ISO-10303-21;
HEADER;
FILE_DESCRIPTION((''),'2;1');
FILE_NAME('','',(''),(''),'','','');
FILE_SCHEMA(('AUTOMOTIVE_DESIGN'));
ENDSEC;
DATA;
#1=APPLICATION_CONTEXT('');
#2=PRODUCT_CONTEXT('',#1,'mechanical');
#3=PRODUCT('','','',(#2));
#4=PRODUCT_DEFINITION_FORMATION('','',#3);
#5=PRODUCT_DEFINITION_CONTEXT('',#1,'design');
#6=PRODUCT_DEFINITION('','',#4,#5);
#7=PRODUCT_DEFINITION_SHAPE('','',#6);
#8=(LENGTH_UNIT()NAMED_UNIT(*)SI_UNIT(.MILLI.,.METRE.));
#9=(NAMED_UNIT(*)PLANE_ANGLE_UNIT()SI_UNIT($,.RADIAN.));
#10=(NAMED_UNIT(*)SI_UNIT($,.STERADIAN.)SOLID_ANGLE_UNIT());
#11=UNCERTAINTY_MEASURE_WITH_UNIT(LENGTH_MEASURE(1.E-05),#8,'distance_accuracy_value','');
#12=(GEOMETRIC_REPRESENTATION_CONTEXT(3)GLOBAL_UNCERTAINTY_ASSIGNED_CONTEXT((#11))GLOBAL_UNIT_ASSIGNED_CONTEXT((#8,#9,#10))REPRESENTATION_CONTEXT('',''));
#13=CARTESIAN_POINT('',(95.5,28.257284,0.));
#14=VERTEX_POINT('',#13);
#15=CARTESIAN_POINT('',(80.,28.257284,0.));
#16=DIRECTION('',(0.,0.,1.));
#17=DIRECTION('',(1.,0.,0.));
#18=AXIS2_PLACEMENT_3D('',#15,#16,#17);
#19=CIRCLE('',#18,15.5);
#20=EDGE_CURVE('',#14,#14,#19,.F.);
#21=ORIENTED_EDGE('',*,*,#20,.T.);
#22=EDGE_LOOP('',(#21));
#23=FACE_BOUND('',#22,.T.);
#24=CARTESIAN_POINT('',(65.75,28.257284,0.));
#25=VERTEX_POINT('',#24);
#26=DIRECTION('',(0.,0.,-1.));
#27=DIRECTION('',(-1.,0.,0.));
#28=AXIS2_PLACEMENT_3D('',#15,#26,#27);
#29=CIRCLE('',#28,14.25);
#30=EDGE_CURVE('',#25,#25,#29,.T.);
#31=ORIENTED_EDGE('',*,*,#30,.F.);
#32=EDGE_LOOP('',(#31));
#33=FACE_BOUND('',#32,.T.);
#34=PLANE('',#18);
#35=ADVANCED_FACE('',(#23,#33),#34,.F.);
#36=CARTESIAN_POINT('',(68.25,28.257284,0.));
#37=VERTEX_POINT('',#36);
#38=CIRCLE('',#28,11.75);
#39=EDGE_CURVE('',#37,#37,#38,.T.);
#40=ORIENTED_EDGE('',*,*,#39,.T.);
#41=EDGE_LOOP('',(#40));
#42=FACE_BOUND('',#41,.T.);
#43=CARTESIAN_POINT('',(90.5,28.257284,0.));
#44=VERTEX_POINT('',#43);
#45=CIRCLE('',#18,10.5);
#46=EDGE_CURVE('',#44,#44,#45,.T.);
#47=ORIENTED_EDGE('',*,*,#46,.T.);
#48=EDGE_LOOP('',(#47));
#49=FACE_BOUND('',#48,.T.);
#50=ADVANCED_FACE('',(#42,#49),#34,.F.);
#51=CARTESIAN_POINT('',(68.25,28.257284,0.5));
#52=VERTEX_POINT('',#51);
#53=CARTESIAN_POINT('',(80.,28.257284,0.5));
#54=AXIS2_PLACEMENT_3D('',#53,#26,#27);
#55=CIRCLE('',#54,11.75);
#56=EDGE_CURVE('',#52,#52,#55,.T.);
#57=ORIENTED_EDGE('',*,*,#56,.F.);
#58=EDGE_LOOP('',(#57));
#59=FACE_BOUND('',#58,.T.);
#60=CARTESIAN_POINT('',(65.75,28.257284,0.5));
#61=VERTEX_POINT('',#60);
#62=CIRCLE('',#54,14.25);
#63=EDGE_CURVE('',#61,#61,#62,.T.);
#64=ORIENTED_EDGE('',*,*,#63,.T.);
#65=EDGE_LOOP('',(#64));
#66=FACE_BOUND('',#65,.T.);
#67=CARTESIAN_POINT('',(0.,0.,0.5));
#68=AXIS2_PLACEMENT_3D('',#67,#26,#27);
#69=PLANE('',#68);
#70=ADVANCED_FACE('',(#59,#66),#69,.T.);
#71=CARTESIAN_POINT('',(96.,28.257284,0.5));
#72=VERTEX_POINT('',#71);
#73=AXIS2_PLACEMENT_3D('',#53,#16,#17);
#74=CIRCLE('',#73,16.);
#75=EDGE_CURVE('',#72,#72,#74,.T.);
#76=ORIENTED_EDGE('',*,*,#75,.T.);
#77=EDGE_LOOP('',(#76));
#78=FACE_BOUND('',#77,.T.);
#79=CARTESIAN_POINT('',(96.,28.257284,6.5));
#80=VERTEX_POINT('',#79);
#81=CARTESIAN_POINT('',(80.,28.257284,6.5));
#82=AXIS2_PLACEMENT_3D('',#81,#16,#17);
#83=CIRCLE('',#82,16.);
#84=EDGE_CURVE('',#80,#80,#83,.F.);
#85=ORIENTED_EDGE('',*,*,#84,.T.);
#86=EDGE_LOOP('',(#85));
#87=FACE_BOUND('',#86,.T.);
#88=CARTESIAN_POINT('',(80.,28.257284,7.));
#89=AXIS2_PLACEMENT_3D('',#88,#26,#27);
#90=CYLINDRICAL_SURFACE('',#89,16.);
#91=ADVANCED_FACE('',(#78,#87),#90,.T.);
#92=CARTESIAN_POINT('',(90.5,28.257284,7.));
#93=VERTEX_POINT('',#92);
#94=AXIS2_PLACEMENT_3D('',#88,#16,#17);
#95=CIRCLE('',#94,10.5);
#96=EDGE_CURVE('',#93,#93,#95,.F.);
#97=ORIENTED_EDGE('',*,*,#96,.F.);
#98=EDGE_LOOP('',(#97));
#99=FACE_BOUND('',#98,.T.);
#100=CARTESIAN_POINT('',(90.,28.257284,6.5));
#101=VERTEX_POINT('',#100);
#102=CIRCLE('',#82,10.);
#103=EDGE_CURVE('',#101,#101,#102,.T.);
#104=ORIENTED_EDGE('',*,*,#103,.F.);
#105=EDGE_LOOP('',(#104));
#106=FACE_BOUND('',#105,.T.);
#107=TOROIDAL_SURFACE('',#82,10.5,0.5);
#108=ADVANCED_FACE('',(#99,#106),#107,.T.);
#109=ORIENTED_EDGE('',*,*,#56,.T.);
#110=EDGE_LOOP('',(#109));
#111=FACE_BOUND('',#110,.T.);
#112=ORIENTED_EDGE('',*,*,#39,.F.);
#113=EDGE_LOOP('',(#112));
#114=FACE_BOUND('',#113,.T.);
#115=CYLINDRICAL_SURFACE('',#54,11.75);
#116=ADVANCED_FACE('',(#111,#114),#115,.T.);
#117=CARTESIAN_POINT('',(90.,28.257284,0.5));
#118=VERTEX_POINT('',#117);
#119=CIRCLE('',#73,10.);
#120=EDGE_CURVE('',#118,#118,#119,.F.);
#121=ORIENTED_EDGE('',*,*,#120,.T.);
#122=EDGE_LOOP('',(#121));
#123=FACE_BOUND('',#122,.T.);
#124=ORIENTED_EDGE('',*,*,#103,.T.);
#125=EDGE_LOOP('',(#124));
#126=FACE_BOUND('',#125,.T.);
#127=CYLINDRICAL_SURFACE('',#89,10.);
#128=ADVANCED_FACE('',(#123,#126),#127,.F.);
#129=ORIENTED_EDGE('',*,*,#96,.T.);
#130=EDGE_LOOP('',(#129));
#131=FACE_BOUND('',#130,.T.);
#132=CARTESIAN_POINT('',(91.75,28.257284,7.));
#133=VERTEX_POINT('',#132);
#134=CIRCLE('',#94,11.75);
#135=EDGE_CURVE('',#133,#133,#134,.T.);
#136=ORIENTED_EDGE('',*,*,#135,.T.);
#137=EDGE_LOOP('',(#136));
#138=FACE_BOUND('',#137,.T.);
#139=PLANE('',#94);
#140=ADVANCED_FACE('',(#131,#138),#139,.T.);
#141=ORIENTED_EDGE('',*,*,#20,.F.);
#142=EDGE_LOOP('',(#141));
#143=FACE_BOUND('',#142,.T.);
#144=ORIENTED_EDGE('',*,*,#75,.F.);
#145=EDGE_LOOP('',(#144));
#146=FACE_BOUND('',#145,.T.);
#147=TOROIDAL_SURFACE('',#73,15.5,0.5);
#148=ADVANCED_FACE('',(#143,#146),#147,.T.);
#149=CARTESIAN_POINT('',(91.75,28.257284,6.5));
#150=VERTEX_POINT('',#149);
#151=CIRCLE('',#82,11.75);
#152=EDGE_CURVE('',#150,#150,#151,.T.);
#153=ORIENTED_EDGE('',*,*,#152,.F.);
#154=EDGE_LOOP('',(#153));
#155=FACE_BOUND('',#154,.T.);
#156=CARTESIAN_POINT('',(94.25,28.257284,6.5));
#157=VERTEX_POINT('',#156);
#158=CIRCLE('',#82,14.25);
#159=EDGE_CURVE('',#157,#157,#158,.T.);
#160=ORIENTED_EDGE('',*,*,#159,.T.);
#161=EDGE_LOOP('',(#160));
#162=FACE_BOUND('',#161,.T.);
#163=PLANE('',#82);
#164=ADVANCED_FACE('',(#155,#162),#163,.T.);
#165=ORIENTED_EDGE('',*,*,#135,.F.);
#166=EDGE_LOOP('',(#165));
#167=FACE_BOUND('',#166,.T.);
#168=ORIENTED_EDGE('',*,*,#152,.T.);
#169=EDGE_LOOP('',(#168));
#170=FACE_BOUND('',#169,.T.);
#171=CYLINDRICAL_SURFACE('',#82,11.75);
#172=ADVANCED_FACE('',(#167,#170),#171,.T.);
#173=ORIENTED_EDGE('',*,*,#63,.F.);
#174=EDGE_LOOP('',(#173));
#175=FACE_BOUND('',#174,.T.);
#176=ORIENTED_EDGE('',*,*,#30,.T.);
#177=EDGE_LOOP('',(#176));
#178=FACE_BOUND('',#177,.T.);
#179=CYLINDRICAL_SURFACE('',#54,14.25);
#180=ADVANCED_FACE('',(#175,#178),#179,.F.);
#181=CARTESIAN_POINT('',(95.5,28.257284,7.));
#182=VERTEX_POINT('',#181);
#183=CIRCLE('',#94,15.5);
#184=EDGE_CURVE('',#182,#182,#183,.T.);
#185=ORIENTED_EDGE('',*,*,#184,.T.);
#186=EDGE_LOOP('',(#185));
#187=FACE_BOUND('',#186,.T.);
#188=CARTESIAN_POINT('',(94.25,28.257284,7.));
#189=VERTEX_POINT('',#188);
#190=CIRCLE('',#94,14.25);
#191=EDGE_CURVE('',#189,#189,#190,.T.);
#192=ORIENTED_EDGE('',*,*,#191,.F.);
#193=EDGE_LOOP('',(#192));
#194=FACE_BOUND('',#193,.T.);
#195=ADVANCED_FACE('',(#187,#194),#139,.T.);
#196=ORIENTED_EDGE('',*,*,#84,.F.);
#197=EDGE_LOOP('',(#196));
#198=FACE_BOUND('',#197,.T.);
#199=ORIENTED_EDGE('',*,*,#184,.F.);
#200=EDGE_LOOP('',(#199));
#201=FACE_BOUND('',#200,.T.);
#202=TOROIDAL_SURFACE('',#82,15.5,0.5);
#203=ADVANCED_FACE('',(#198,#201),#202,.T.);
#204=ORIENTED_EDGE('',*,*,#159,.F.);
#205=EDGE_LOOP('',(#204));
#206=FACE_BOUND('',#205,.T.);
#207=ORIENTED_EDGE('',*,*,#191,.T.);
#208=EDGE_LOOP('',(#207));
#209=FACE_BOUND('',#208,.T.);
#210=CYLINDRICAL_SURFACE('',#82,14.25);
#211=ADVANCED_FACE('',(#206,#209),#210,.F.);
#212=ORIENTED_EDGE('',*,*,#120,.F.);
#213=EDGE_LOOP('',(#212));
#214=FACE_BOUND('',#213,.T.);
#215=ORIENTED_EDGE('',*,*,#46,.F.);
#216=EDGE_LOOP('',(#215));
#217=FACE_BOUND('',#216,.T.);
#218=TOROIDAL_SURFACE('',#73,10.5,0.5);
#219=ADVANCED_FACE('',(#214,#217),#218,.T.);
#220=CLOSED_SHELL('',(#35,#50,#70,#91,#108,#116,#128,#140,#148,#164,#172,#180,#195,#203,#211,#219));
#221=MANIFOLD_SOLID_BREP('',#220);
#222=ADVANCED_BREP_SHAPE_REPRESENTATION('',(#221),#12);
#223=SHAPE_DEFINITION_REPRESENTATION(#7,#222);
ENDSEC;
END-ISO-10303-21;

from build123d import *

# Parameters (mm, degrees)
SKETCH1_R           = 16
SKETCH1_R_2         = 10
BOSS_EXTRUDE1_DEPTH = 7
FILLET1_R           = 0.5
SKETCH2_R           = 14.25
SKETCH2_R_2         = 11.75
CUT_EXTRUDE1_DEPTH  = 0.5
SKETCH3_R           = 14.25
SKETCH3_R_2         = 11.75
CUT_EXTRUDE2_DEPTH  = 0.5


with BuildPart() as part:
    # Sketch1 → Boss-Extrude1 (new body)
    with BuildSketch(Plane.XY):
        with Locations((80, 28.257283518)):
            Circle(SKETCH1_R)
        with Locations((80, 28.257283518)):
            Circle(SKETCH1_R_2, mode=Mode.SUBTRACT)
    extrude(amount=BOSS_EXTRUDE1_DEPTH)

    # Fillet1
    fillet1_edges = [part.edges().sort_by_distance(p)[0] for p in [
        (64, 28.257283518, 0),
        (64, 28.257283518, 7),
        (70, 28.257283518, 0),
        (70, 28.257283518, 7),
    ]]
    fillet(fillet1_edges, radius=FILLET1_R)

    # Sketch2 → Cut-Extrude1 (cut)
    with BuildSketch(Plane(origin=(0, 0, 0), x_dir=(-1, 0, 0), z_dir=(0, 0, -1))):
        with Locations((-80, 28.257283518)):
            Circle(SKETCH2_R)
        with Locations((-80, 28.257283518)):
            Circle(SKETCH2_R_2, mode=Mode.SUBTRACT)
    extrude(amount=-CUT_EXTRUDE1_DEPTH, mode=Mode.SUBTRACT)

    # Sketch3 → Cut-Extrude2 (cut)
    with BuildSketch(Plane.XY.offset(7)):
        with Locations((80, 28.257283518)):
            Circle(SKETCH3_R)
        with Locations((80, 28.257283518)):
            Circle(SKETCH3_R_2, mode=Mode.SUBTRACT)
    extrude(amount=-CUT_EXTRUDE2_DEPTH, mode=Mode.SUBTRACT)


solid = part.part
